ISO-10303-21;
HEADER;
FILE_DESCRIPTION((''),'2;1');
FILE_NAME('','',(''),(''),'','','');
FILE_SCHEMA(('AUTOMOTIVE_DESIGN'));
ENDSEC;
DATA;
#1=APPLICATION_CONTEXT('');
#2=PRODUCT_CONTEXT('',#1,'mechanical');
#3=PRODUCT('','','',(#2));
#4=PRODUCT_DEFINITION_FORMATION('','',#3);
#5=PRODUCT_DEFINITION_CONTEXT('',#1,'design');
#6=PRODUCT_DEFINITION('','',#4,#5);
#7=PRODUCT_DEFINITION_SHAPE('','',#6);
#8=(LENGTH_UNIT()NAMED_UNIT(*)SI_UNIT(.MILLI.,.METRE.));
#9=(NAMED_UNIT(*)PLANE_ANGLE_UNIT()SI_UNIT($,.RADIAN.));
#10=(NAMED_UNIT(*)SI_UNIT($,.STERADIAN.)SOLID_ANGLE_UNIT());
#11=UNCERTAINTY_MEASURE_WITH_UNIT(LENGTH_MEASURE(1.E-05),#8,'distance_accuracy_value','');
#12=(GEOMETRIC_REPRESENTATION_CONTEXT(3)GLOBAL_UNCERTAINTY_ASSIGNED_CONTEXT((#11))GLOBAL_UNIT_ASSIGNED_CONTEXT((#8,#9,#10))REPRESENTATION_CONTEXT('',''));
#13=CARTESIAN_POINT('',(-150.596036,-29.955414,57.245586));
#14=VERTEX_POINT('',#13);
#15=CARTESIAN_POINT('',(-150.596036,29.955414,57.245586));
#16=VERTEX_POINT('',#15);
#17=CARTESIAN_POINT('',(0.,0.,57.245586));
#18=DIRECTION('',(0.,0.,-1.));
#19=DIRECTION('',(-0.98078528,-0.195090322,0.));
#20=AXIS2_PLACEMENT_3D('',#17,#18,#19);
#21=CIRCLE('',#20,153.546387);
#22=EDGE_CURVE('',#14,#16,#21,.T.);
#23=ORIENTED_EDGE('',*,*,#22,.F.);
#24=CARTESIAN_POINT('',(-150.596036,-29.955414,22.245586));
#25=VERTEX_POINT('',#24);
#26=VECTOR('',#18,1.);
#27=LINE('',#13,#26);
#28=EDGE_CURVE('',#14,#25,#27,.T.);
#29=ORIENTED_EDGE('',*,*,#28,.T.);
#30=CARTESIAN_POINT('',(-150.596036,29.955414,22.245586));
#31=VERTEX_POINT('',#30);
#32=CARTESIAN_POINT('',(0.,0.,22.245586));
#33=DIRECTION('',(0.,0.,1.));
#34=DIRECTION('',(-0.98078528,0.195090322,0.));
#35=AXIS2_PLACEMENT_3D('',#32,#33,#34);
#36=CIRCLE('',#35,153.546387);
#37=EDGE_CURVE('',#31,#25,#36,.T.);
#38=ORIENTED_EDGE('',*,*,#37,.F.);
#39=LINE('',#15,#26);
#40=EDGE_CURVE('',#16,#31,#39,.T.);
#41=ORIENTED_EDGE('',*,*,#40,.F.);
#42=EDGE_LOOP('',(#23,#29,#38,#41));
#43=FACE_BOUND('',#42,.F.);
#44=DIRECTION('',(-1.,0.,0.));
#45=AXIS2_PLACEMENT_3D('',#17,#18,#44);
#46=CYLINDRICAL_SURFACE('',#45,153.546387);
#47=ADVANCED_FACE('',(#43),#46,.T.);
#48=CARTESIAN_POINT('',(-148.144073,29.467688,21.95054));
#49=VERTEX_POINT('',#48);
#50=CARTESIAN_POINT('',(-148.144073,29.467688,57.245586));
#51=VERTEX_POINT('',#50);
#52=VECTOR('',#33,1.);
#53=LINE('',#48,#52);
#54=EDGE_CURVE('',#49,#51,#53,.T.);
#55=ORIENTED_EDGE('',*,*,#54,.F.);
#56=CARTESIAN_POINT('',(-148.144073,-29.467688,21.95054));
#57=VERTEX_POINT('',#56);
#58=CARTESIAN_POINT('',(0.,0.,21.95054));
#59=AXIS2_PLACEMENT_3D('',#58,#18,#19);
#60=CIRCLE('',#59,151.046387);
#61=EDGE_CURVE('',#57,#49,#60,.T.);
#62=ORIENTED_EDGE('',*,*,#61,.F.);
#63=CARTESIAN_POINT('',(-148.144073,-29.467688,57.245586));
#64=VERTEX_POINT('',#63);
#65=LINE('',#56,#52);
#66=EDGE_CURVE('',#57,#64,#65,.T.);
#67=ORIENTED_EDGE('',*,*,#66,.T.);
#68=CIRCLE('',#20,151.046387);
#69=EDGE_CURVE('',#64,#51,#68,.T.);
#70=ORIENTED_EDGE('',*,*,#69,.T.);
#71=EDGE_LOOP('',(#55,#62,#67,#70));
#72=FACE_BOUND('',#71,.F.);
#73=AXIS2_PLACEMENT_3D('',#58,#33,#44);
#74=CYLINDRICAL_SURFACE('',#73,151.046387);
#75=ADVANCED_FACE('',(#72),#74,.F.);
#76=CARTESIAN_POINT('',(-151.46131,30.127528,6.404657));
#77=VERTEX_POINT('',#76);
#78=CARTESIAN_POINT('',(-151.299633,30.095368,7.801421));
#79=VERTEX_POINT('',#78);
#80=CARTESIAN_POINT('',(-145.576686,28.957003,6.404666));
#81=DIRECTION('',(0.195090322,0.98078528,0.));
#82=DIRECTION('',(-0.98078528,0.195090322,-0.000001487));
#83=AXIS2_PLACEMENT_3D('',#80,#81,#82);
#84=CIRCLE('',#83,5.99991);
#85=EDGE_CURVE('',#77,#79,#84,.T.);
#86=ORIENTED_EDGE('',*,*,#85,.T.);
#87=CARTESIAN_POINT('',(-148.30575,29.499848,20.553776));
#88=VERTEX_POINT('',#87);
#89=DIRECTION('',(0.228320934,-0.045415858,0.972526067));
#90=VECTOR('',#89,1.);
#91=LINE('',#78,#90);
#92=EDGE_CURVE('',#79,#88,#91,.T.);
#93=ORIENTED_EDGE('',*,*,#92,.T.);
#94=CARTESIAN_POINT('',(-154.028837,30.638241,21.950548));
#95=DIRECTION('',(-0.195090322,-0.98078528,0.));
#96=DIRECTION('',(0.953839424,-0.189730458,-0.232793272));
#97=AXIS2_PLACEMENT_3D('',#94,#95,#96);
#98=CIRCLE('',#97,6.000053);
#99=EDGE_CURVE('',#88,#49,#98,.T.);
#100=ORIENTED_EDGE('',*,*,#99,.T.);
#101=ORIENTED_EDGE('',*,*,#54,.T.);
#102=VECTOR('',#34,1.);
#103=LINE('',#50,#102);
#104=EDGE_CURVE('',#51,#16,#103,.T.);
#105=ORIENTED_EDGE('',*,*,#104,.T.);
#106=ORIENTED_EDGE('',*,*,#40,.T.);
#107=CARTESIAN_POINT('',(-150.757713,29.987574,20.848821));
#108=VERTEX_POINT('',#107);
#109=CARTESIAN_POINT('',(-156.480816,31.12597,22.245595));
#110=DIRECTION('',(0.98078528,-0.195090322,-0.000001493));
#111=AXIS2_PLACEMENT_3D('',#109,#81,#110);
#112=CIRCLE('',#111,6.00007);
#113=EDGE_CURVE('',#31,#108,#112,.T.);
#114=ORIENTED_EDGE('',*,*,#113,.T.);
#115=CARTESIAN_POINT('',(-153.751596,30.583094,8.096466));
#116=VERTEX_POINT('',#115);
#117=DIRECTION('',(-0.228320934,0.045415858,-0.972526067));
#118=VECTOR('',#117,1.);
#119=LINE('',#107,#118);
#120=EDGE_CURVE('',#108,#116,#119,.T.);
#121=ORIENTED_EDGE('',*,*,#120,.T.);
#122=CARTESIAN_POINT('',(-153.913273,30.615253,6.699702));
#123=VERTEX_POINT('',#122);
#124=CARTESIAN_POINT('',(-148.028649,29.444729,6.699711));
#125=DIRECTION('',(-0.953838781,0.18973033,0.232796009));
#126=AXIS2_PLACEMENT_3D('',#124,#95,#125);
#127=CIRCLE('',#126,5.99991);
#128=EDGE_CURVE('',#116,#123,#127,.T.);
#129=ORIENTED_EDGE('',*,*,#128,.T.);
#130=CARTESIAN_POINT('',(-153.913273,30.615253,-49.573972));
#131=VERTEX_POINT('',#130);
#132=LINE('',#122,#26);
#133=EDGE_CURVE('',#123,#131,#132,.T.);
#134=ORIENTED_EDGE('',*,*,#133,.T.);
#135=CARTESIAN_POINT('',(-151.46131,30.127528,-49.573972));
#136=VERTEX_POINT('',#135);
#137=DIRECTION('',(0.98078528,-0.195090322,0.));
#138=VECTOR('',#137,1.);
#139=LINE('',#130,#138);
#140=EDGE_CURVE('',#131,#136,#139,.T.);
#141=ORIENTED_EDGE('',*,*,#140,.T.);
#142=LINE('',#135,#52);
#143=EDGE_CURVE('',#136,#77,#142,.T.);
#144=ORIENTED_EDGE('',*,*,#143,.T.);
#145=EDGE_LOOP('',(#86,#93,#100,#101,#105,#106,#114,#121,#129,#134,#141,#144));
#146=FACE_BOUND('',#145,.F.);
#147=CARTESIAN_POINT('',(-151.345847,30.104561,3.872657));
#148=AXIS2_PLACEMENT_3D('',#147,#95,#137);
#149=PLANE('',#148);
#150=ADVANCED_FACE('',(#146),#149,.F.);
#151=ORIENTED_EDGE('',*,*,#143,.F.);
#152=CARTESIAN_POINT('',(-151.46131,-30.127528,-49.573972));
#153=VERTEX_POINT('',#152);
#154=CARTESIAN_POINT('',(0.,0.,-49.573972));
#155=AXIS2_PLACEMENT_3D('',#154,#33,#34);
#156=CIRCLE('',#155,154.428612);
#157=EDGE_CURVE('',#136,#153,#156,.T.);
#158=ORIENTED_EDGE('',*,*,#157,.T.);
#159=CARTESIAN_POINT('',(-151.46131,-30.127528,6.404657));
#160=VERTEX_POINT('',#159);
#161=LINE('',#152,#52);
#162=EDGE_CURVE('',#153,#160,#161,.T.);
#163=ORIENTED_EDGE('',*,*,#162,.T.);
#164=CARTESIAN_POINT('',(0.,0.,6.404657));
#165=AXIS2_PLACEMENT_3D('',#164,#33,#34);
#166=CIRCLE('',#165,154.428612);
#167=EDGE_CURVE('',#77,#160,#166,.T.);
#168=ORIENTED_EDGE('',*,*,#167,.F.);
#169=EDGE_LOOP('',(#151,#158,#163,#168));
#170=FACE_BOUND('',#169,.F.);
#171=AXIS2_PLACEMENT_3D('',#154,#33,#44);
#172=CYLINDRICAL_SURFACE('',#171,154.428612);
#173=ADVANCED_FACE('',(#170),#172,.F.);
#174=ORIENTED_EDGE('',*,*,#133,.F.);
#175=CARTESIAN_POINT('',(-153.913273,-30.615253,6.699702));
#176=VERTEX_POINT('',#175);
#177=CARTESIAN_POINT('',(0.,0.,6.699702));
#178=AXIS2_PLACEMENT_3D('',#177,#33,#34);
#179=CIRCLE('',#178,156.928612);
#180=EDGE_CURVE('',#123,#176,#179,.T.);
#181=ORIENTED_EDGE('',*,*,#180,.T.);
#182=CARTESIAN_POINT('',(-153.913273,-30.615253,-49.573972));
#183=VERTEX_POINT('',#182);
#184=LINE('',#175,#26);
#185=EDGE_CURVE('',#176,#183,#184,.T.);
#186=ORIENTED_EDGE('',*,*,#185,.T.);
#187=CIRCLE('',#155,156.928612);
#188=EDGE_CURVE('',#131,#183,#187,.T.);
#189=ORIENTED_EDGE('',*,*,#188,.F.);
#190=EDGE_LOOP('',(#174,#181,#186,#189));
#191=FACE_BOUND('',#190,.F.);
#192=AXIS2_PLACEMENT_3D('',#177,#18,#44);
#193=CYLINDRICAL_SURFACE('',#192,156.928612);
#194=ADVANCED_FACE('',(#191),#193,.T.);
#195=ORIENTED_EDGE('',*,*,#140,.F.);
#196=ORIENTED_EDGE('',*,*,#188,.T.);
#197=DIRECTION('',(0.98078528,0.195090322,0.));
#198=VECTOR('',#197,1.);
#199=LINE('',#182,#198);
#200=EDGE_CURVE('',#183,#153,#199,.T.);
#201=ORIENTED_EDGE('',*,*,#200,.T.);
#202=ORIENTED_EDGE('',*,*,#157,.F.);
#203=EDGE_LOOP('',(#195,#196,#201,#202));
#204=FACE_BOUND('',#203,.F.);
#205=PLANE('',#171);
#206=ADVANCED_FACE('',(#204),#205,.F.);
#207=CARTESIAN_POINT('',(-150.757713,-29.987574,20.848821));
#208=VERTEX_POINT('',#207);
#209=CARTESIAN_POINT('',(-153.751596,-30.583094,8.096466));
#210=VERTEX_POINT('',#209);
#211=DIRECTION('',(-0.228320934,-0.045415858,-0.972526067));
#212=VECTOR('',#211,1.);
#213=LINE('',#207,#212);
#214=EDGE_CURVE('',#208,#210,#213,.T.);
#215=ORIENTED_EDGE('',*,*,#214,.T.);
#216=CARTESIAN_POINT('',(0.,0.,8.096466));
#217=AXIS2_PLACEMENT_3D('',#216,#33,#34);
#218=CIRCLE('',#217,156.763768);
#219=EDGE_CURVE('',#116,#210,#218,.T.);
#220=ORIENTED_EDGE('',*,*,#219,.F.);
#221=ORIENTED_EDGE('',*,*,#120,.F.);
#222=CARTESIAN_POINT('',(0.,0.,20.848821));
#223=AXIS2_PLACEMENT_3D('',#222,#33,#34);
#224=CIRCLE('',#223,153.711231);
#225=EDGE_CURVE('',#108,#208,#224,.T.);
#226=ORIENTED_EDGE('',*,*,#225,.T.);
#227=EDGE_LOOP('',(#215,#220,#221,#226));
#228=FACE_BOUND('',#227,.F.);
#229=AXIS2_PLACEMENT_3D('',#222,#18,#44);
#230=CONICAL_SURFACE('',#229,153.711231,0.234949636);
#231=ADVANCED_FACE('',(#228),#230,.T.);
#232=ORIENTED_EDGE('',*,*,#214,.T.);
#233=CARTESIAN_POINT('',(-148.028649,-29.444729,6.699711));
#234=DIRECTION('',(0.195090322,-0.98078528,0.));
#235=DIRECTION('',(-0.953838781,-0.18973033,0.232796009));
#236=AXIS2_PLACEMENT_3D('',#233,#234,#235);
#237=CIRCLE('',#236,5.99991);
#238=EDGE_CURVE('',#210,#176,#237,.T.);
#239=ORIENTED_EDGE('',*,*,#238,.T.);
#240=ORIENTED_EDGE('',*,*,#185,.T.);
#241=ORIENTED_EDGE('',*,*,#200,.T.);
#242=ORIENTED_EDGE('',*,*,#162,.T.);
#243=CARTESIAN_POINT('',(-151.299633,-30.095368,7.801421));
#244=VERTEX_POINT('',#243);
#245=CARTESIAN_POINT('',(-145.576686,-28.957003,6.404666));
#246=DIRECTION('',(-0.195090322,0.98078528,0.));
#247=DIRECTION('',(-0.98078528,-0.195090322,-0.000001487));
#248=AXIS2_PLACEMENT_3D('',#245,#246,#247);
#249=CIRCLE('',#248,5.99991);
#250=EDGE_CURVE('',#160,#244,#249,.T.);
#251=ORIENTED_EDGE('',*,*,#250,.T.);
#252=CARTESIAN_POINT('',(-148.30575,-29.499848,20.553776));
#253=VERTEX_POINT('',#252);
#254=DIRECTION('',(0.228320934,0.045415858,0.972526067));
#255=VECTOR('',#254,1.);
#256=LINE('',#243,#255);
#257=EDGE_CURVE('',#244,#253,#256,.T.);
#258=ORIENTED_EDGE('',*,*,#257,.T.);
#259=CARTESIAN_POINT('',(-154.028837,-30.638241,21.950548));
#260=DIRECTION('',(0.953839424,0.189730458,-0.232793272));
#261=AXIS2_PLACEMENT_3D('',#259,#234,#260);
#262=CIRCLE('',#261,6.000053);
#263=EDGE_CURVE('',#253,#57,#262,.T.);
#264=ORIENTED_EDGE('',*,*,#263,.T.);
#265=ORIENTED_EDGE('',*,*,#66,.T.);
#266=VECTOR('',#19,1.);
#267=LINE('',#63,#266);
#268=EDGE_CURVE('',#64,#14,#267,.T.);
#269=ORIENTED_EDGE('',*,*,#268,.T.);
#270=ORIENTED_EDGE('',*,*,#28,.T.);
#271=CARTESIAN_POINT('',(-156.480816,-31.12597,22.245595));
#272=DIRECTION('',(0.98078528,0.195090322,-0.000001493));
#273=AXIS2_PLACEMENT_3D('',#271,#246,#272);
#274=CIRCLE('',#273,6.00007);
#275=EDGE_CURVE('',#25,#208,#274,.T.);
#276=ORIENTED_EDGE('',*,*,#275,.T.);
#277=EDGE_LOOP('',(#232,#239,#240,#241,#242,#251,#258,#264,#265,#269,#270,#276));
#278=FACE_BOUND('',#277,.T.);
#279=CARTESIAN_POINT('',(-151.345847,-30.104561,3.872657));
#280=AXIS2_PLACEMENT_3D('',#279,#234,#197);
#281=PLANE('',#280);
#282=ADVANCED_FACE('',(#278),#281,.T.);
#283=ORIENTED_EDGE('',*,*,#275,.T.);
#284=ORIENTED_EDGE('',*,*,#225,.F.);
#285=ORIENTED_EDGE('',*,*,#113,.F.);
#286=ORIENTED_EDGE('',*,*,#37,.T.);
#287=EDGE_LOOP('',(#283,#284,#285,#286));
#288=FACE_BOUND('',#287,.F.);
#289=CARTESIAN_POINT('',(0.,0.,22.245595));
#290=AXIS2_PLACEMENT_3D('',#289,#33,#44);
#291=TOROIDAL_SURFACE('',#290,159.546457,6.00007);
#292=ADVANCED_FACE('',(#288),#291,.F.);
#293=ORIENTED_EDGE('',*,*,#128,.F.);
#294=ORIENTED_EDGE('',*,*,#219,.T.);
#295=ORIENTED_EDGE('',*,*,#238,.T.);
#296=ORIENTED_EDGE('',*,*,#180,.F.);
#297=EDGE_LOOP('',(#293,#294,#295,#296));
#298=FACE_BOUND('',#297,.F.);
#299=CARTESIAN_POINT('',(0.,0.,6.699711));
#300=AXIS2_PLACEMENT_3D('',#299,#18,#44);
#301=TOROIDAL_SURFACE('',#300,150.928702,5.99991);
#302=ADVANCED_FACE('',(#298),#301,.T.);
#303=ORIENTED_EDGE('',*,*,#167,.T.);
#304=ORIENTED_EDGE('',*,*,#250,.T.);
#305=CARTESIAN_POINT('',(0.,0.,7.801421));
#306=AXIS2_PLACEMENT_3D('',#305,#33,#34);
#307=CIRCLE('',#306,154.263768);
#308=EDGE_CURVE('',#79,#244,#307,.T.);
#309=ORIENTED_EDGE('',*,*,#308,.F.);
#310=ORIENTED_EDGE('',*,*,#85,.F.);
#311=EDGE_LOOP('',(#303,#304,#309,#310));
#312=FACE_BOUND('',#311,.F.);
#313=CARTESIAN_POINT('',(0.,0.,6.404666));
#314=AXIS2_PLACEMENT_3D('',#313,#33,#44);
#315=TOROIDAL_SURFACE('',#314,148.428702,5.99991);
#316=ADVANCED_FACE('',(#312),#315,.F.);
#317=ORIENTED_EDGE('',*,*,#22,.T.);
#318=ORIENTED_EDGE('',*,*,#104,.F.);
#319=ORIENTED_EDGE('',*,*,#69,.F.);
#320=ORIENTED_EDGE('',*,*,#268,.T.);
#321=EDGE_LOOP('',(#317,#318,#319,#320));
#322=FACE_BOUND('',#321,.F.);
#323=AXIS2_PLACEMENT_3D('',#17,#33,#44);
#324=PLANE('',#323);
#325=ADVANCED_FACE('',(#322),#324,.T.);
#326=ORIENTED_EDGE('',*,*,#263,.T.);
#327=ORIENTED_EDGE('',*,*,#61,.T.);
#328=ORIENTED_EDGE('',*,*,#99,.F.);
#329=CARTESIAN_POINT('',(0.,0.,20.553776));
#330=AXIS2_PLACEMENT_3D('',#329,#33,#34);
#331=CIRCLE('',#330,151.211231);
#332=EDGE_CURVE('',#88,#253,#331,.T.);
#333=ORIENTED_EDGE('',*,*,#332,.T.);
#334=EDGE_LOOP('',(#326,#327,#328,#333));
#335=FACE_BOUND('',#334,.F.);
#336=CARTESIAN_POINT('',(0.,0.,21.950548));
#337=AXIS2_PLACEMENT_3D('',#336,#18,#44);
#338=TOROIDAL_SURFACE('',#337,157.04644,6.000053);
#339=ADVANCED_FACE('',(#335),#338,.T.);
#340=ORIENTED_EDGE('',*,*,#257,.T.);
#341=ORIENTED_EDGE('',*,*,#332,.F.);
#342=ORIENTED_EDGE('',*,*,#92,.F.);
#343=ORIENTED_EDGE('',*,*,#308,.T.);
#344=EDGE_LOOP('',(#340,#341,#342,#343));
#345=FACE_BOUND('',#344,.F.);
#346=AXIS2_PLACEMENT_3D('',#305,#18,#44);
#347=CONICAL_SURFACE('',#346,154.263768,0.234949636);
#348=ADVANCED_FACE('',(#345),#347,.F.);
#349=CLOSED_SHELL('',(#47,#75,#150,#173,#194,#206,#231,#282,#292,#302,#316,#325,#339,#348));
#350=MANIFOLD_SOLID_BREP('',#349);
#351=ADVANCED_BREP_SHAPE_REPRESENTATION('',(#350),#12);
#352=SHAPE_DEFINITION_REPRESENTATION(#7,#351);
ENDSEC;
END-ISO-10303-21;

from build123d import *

# Parameters (mm, degrees)
F1_ANGLE = 22.5


with BuildPart() as f1:
    # F0 (on Front) → F1 (revolve, symmetric)
    with BuildSketch(Plane.XZ) as f1_sk:
        with BuildLine():
            Line((-153.546387, 57.245586), (-153.546387, 22.245586))
            ThreePointArc((-153.546387, 22.245586), (-153.587741, 21.542357), (-153.711231, 20.848821))
            Line((-153.711231, 20.848821), (-156.763768, 8.096466))
            ThreePointArc((-156.763768, 8.096466), (-156.887259, 7.402931), (-156.928612, 6.699702))
            Line((-156.928612, 6.699702), (-156.928612, -49.573972))
            Line((-156.928612, -49.573972), (-154.428612, -49.573972))
            Line((-154.428612, -49.573972), (-154.428612, 6.404657))
            ThreePointArc((-154.428612, 6.404657), (-154.387259, 7.107886), (-154.263768, 7.801421))
            Line((-154.263768, 7.801421), (-151.211231, 20.553776))
            ThreePointArc((-151.211231, 20.553776), (-151.087741, 21.247311), (-151.046387, 21.95054))
            Line((-151.046387, 21.95054), (-151.046387, 57.245586))
            Line((-151.046387, 57.245586), (-153.546387, 57.245586))
        make_face()
    revolve(axis=Axis((0, 0, -9.397231), (0, 0, -1)), revolution_arc=F1_ANGLE / 2)
    revolve(f1_sk.sketch, axis=Axis((0, 0, -9.397231), (0, 0, 1)), revolution_arc=F1_ANGLE / 2)


solid = f1.part
